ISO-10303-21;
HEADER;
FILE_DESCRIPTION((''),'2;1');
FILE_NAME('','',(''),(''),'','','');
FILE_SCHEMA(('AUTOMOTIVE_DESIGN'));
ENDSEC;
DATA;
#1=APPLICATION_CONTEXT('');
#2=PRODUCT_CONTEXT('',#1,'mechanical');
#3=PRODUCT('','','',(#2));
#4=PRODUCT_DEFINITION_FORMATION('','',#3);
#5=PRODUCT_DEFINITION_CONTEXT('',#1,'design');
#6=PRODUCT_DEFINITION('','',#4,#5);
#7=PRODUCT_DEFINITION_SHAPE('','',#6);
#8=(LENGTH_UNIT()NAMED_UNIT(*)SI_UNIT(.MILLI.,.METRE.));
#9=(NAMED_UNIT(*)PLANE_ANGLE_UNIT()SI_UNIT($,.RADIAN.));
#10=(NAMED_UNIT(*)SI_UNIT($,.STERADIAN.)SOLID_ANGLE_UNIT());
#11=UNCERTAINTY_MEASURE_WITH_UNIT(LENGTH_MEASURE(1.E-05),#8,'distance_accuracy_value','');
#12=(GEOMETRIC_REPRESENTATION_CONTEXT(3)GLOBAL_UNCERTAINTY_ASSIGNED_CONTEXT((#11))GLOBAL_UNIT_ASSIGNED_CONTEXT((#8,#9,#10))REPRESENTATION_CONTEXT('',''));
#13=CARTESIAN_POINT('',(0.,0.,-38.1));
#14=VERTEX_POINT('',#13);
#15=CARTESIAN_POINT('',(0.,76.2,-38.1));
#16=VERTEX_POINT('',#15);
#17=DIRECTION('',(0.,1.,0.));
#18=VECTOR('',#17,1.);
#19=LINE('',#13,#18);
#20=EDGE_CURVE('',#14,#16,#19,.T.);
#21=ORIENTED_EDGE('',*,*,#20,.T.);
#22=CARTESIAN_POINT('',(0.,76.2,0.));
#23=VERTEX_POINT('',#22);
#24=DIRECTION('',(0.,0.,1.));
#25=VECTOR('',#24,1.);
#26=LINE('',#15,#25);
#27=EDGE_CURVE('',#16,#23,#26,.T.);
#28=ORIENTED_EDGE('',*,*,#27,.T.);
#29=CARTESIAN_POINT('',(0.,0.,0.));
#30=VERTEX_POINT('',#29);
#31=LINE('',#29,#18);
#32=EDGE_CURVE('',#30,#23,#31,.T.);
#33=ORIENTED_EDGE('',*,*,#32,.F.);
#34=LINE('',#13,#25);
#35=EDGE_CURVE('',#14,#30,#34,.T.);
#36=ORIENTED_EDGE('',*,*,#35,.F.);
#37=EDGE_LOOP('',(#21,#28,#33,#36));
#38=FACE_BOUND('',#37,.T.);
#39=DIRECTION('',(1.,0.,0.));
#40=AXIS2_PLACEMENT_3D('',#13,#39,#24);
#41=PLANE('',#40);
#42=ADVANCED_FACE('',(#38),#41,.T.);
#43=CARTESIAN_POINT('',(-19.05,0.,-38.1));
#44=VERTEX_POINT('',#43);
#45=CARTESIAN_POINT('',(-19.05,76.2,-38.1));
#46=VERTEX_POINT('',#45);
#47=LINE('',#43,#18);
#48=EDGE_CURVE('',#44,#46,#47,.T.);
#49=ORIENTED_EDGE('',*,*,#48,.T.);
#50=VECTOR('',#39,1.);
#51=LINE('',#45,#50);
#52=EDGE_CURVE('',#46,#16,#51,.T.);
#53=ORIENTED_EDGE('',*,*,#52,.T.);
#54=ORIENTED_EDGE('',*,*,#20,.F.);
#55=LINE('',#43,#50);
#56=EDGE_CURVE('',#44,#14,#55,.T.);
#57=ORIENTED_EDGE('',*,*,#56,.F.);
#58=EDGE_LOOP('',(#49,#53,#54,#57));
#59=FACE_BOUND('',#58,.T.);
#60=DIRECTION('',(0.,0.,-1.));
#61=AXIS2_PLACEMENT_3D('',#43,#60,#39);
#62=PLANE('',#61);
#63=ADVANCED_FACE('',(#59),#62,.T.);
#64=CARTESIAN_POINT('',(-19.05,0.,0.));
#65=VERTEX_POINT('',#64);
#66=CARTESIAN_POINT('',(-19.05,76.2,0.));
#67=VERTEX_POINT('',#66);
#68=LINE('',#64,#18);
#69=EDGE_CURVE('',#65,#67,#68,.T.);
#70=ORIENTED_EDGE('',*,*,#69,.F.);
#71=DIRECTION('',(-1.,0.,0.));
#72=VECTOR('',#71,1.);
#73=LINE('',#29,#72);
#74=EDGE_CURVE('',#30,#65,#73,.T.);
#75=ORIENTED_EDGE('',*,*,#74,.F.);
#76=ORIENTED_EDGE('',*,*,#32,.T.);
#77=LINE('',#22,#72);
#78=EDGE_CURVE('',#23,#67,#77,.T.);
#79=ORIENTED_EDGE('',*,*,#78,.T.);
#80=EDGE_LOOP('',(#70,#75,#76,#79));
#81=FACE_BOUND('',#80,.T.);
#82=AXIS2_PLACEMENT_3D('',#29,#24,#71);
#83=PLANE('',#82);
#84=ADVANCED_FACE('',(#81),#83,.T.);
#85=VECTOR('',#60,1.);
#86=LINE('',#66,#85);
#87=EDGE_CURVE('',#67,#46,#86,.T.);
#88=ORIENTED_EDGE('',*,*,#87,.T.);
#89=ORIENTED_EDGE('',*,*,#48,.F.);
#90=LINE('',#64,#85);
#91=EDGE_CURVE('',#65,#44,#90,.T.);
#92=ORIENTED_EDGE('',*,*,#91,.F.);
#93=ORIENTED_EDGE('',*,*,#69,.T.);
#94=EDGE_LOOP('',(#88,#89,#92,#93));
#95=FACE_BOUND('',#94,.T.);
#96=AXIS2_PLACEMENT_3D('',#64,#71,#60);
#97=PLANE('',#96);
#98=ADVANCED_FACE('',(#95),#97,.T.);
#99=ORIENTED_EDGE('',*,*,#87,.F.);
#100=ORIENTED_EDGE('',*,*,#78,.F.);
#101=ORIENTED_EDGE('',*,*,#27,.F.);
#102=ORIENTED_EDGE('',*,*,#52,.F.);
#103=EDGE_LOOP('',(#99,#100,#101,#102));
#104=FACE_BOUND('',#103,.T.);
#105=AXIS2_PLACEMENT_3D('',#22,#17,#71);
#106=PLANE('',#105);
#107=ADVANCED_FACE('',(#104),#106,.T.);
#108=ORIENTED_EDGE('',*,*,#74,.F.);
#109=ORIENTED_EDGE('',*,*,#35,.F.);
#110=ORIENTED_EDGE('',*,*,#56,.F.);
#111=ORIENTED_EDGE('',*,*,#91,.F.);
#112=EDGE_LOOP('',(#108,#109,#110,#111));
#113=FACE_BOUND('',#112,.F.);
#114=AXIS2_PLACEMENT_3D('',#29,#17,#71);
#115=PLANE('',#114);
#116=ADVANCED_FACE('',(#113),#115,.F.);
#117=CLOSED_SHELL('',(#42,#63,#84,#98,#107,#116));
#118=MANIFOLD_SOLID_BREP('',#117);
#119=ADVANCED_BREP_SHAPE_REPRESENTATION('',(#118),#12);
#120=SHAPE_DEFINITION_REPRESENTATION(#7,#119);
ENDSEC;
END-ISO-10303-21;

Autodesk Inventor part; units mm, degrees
ref_plane "YZ Plane" through (0, 0, 0) normal (1, 0, 0) x (0, 1, 0)
ref_plane "XZ Plane" through (0, 0, 0) normal (0, 1, 0) x (-1, 0, 0)
ref_plane "XY Plane" through (0, 0, 0) normal (0, 0, 1) x (1, 0, 0)
sketch "Sketch1" plane through (0, 0, 0) normal (0, 1, 0) x (-1, 0, 0)
  line L0 (0, 0) -> (19.05, 0)
  line L1 (19.05, 0) -> (19.05, -38.1)
  line L2 (19.05, -38.1) -> (0, -38.1)
  line L3 (0, -38.1) -> (0, 0)
  dimension "d0" = 19.05
  dimension "d1" = 38.1
extrude "Extrusion1" add sketch "Sketch1" along normal blind 76.2
properties part number "sideStage2Frame" material "Wood (Birch)"
